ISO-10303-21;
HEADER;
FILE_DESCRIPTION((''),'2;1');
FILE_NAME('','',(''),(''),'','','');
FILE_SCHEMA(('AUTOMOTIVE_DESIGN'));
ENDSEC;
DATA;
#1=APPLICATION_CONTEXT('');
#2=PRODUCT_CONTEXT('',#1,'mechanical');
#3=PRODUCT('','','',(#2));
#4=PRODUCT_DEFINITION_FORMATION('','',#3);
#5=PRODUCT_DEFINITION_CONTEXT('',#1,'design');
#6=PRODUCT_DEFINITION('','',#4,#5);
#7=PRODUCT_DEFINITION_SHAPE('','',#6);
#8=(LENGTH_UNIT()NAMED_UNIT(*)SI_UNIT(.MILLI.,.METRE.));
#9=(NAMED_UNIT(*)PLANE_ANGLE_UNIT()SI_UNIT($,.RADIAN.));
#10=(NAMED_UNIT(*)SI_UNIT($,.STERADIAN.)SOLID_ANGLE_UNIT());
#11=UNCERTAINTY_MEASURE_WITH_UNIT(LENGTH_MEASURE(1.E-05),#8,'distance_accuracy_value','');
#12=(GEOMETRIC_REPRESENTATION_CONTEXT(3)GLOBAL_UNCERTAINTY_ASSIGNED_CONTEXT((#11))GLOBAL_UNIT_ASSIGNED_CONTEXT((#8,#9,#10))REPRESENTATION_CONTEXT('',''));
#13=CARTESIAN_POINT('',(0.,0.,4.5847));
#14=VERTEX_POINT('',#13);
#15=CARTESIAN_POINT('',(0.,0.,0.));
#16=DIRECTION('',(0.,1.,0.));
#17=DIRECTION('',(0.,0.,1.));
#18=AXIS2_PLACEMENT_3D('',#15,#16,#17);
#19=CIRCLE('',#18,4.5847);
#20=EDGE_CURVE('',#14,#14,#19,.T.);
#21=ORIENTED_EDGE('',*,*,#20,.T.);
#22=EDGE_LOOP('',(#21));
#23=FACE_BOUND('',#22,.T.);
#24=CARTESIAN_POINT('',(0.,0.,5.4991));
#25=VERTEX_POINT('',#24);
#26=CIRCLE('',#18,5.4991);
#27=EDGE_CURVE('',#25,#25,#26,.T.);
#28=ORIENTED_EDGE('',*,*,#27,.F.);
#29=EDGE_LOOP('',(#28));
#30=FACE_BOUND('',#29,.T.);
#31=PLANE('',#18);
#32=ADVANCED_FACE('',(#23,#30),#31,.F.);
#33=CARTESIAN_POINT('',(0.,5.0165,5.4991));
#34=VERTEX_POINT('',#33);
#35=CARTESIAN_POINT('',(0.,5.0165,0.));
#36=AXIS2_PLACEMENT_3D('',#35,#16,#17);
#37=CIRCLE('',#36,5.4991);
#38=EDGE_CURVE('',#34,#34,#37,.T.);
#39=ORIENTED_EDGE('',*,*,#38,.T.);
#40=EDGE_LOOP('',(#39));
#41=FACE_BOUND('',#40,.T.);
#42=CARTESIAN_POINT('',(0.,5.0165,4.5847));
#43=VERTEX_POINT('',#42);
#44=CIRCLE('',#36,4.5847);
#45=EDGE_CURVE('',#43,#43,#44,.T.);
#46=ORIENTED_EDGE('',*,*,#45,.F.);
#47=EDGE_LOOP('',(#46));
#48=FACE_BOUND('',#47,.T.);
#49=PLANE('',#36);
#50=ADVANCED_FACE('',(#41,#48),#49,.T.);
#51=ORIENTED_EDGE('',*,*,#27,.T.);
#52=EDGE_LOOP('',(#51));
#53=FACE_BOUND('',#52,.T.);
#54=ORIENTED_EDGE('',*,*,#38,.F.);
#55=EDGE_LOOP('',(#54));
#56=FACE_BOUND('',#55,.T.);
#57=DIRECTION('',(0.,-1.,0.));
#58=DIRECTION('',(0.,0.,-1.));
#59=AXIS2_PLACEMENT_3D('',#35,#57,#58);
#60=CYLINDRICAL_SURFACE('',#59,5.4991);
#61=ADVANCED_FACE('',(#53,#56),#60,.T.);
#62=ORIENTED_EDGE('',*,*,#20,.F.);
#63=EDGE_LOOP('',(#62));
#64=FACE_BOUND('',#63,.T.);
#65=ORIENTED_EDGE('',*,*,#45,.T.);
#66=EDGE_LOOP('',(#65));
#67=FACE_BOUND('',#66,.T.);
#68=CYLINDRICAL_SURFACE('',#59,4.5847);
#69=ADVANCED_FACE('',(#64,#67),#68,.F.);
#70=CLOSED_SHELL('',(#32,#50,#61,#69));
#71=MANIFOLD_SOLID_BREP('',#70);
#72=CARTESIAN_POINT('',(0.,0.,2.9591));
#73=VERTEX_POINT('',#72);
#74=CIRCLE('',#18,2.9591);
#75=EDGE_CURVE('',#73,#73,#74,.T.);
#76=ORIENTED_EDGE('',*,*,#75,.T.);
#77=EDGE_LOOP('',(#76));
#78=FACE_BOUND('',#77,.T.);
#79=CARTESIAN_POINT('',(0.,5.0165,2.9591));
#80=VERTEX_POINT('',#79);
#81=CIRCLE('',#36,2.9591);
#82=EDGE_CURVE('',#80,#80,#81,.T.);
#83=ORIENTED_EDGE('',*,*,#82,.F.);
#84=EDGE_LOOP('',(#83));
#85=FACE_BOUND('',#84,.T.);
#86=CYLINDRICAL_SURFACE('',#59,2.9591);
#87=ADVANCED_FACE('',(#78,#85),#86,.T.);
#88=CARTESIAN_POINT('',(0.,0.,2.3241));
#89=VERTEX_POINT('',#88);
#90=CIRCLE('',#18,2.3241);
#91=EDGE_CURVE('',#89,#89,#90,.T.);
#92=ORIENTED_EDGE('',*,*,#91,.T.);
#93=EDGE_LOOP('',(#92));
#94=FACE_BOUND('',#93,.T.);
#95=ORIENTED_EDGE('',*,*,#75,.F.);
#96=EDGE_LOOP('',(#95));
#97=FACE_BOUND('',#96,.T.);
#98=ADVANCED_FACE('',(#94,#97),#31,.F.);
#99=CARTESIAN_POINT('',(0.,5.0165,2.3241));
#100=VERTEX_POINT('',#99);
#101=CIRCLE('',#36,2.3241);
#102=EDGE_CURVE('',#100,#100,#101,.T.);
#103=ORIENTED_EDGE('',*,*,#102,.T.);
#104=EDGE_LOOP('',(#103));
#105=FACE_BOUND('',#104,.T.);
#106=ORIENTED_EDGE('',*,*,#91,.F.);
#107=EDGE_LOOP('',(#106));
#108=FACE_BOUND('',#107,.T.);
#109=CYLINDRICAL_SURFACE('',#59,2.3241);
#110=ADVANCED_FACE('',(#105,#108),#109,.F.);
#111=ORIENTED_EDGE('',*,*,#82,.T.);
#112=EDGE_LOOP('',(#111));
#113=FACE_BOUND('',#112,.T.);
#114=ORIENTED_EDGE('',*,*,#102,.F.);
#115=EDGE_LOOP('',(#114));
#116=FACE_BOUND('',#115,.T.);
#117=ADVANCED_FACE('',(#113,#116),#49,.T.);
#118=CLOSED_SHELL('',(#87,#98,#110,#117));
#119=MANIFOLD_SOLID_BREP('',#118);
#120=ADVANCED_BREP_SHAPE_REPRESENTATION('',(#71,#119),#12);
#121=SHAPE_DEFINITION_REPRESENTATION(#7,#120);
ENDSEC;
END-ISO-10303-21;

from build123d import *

# Parameters (mm, degrees)
SKETCH1_R             = 5.4991
SKETCH1_R_2           = 4.5847
BOSS_EXTRUDE1_DEPTH   = 5.0165
SKETCH1_R_3           = 2.9591
SKETCH1_R_4           = 2.3241
BOSS_EXTRUDE1_2_DEPTH = 5.0165


with BuildPart() as part:
    # Sketch1 → Boss-Extrude1 (new body)
    with BuildSketch(Plane(origin=(0, 0, 0), x_dir=(1, 0, 0), z_dir=(0, 1, 0))):
        with Locations(Location((0, 0, 0), (0, 0, 270))):
            Circle(SKETCH1_R)
        with Locations(Location((0, 0, 0), (0, 0, 270))):
            Circle(SKETCH1_R_2, mode=Mode.SUBTRACT)
    extrude(amount=BOSS_EXTRUDE1_DEPTH)


with BuildPart() as body_2:
    # Sketch1 → Boss-Extrude1 2 (new body)
    with BuildSketch(Plane(origin=(0, 0, 0), x_dir=(1, 0, 0), z_dir=(0, 1, 0))):
        with Locations(Location((0, 0, 0), (0, 0, 270))):
            Circle(SKETCH1_R_3)
        with Locations(Location((0, 0, 0), (0, 0, 270))):
            Circle(SKETCH1_R_4, mode=Mode.SUBTRACT)
    extrude(amount=BOSS_EXTRUDE1_2_DEPTH)


solid = Compound([part.part, body_2.part])
